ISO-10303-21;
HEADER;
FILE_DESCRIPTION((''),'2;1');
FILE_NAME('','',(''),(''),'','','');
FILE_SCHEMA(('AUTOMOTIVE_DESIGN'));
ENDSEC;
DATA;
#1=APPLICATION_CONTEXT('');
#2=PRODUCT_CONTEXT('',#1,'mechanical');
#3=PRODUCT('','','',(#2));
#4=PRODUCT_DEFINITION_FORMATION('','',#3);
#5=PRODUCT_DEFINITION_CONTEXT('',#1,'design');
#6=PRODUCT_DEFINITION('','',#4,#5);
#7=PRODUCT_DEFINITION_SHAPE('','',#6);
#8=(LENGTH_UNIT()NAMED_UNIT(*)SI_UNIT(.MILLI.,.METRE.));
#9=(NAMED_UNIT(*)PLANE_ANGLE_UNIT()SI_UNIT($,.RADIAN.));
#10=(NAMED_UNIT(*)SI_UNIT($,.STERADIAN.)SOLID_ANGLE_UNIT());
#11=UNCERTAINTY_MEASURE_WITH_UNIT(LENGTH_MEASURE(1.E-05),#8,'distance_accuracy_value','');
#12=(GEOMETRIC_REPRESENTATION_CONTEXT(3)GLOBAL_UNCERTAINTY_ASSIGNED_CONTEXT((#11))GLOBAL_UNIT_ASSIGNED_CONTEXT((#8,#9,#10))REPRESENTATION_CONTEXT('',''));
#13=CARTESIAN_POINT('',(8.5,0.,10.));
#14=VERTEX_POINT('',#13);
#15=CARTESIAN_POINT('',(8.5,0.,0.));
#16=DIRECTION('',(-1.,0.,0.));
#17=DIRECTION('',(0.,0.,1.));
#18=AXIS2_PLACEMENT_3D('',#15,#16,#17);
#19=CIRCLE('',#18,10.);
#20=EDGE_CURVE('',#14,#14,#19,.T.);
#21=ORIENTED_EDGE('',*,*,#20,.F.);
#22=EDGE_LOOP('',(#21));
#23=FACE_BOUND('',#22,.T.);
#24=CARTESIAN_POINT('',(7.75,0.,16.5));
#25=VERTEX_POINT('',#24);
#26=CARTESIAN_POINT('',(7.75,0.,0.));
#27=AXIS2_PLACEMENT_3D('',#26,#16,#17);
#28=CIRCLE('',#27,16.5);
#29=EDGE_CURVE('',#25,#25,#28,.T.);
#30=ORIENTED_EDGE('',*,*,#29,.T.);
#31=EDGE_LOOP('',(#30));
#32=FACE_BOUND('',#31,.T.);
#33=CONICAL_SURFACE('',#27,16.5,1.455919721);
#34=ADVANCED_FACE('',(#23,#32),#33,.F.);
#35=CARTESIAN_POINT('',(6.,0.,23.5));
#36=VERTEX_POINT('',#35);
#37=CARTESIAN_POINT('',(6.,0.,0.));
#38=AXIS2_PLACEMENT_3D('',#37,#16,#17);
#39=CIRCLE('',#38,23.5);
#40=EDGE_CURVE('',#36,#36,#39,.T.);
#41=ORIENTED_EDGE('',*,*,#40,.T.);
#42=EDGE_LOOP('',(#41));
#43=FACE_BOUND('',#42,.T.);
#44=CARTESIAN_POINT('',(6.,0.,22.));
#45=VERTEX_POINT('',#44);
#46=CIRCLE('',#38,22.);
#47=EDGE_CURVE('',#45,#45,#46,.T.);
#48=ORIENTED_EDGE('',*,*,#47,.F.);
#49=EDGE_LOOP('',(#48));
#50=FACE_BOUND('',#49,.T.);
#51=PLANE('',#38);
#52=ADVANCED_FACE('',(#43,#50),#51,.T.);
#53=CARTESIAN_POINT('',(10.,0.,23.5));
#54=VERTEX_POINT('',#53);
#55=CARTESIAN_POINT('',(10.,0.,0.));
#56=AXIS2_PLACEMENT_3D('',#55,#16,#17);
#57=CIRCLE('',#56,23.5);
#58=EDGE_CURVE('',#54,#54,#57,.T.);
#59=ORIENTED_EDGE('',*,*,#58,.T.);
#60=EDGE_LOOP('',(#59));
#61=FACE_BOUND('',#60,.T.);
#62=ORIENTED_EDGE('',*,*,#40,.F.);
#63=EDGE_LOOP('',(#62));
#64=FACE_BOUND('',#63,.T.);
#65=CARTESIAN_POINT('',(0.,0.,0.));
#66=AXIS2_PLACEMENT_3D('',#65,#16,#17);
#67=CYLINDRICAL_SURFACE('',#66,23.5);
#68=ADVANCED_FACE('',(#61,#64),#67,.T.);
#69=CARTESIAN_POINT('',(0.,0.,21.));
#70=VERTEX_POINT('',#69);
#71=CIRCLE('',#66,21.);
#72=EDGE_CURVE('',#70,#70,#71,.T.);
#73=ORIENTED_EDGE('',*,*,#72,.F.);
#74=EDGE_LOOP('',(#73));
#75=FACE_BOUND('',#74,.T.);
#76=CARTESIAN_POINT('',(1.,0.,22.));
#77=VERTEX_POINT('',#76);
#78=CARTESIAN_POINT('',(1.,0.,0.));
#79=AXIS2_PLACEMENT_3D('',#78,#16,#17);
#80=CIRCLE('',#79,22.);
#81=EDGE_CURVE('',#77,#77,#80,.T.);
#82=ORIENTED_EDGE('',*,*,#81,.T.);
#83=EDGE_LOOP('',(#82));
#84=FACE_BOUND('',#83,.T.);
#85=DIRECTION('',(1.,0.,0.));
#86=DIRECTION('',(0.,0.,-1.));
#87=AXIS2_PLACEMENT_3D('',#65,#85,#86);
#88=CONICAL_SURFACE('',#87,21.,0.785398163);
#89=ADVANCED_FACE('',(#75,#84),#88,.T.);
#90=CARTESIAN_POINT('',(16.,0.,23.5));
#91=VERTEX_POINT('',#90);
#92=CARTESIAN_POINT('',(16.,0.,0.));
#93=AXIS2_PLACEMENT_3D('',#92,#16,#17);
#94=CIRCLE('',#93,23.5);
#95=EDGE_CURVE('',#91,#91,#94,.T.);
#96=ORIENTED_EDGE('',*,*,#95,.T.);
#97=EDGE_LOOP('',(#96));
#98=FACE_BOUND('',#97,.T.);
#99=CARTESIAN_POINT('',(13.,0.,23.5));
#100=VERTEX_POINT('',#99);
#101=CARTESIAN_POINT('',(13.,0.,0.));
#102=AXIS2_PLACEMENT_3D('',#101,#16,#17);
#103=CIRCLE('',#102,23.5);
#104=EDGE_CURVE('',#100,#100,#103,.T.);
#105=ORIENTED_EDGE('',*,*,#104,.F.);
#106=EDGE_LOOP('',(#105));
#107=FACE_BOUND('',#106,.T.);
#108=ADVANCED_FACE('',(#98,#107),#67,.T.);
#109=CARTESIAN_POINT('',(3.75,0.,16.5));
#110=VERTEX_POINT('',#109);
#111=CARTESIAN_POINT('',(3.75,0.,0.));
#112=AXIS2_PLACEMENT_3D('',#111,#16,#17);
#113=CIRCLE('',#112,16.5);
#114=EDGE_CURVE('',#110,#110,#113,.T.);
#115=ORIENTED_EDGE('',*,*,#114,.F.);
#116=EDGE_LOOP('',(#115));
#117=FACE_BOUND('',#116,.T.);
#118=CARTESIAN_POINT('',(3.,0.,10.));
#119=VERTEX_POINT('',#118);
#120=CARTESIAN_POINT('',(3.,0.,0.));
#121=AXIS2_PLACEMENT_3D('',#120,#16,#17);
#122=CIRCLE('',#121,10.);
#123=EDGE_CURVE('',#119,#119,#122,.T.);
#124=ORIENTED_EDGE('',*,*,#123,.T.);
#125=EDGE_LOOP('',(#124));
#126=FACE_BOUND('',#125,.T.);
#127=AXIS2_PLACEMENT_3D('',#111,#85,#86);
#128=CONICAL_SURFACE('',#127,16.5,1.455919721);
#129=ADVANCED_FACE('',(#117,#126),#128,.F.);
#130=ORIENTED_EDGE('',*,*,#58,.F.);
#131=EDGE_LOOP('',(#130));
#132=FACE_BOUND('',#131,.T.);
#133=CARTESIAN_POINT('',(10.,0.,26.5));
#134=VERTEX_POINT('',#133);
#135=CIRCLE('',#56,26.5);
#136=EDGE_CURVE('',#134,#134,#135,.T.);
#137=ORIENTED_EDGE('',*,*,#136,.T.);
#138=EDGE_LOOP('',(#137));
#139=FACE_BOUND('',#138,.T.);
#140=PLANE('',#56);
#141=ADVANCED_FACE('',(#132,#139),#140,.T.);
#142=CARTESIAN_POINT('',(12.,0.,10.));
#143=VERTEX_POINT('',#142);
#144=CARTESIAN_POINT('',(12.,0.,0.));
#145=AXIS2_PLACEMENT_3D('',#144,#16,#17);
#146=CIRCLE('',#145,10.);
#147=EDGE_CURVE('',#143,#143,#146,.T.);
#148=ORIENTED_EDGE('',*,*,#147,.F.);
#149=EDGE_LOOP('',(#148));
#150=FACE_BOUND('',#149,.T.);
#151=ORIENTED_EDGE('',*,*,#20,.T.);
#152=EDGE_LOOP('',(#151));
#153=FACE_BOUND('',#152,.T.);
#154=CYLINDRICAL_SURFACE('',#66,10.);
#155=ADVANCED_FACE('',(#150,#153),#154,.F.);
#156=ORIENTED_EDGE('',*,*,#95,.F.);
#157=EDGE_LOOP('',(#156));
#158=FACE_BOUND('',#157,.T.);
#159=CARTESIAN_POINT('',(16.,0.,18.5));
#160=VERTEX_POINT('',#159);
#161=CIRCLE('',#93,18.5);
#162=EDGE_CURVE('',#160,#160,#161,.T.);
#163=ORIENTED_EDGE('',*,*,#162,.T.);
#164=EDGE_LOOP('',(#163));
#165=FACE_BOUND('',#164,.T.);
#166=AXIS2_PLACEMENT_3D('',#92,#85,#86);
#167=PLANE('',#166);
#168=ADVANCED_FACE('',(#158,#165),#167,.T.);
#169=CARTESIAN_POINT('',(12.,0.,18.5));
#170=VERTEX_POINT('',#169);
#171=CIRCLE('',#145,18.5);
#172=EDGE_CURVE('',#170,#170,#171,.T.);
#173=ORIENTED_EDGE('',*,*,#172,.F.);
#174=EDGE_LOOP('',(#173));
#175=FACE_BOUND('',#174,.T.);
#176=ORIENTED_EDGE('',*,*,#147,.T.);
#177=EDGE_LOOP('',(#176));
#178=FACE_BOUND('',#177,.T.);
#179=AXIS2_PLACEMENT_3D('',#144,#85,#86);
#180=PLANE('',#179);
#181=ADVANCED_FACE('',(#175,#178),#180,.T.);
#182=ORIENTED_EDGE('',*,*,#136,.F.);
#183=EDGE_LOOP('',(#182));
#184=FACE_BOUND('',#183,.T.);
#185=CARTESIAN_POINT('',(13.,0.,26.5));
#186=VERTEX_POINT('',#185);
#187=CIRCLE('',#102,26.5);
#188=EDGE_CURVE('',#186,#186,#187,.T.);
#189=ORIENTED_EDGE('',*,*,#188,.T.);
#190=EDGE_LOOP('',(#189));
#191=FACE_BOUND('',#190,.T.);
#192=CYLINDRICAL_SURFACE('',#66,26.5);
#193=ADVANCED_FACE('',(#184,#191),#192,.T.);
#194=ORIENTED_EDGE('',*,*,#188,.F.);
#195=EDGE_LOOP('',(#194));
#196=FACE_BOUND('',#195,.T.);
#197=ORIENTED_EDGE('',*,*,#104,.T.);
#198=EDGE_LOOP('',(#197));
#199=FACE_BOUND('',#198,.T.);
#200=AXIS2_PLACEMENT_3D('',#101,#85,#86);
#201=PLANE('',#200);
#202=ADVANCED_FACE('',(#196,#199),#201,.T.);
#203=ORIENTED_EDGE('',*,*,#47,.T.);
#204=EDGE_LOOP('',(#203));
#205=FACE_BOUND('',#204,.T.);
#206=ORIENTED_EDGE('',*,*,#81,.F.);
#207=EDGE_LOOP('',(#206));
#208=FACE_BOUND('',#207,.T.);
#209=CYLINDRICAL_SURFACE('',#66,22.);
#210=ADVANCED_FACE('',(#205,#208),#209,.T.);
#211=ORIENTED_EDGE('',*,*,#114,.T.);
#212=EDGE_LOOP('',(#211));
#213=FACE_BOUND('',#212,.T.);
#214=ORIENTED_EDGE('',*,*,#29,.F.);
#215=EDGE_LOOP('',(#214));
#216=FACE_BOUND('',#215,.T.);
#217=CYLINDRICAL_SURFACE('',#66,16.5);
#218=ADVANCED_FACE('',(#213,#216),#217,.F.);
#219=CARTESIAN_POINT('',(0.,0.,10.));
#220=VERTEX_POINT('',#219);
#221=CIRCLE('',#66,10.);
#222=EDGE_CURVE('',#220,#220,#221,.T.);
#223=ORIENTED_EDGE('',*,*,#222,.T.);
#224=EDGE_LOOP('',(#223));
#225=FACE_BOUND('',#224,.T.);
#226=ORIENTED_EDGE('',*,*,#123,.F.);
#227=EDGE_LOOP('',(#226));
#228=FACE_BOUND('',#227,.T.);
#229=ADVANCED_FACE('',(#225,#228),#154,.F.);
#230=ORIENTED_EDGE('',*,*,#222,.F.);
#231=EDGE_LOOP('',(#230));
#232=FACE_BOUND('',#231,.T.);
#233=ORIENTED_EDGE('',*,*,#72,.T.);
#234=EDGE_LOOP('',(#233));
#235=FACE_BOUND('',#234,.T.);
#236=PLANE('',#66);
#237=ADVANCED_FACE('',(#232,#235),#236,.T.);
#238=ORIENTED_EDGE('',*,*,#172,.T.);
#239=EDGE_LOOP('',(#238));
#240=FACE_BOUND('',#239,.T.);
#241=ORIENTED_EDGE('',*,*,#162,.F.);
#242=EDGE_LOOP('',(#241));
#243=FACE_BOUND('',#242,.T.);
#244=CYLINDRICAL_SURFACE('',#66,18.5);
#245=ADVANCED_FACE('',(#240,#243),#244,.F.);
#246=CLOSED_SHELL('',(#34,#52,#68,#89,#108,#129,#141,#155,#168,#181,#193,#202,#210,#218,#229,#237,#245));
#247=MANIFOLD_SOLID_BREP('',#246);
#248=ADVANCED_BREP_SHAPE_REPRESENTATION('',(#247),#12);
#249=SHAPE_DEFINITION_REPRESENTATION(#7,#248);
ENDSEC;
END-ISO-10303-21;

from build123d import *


with BuildPart() as part:
    # 草图1 → 旋转1 (revolve)
    with BuildSketch(Plane.XY, mode=Mode.PRIVATE) as revolve_1_sk:
        Polygon((0, 21), (1, 22), (6, 22), (6, 23.5), (10, 23.5), (10, 26.5), (13, 26.5), (13, 23.5), (16, 23.5), (16, 18.5), (12, 18.5), (12, 10), (8.5, 10), (7.75, 16.5), (3.75, 16.5), (3, 10), (0, 10), align=None)
    revolve(revolve_1_sk.sketch.rotate(Axis((0, 0, 0), (1, 0, 0)), 90), axis=Axis((0, 0, 0), (1, 0, 0)))


solid = part.part
